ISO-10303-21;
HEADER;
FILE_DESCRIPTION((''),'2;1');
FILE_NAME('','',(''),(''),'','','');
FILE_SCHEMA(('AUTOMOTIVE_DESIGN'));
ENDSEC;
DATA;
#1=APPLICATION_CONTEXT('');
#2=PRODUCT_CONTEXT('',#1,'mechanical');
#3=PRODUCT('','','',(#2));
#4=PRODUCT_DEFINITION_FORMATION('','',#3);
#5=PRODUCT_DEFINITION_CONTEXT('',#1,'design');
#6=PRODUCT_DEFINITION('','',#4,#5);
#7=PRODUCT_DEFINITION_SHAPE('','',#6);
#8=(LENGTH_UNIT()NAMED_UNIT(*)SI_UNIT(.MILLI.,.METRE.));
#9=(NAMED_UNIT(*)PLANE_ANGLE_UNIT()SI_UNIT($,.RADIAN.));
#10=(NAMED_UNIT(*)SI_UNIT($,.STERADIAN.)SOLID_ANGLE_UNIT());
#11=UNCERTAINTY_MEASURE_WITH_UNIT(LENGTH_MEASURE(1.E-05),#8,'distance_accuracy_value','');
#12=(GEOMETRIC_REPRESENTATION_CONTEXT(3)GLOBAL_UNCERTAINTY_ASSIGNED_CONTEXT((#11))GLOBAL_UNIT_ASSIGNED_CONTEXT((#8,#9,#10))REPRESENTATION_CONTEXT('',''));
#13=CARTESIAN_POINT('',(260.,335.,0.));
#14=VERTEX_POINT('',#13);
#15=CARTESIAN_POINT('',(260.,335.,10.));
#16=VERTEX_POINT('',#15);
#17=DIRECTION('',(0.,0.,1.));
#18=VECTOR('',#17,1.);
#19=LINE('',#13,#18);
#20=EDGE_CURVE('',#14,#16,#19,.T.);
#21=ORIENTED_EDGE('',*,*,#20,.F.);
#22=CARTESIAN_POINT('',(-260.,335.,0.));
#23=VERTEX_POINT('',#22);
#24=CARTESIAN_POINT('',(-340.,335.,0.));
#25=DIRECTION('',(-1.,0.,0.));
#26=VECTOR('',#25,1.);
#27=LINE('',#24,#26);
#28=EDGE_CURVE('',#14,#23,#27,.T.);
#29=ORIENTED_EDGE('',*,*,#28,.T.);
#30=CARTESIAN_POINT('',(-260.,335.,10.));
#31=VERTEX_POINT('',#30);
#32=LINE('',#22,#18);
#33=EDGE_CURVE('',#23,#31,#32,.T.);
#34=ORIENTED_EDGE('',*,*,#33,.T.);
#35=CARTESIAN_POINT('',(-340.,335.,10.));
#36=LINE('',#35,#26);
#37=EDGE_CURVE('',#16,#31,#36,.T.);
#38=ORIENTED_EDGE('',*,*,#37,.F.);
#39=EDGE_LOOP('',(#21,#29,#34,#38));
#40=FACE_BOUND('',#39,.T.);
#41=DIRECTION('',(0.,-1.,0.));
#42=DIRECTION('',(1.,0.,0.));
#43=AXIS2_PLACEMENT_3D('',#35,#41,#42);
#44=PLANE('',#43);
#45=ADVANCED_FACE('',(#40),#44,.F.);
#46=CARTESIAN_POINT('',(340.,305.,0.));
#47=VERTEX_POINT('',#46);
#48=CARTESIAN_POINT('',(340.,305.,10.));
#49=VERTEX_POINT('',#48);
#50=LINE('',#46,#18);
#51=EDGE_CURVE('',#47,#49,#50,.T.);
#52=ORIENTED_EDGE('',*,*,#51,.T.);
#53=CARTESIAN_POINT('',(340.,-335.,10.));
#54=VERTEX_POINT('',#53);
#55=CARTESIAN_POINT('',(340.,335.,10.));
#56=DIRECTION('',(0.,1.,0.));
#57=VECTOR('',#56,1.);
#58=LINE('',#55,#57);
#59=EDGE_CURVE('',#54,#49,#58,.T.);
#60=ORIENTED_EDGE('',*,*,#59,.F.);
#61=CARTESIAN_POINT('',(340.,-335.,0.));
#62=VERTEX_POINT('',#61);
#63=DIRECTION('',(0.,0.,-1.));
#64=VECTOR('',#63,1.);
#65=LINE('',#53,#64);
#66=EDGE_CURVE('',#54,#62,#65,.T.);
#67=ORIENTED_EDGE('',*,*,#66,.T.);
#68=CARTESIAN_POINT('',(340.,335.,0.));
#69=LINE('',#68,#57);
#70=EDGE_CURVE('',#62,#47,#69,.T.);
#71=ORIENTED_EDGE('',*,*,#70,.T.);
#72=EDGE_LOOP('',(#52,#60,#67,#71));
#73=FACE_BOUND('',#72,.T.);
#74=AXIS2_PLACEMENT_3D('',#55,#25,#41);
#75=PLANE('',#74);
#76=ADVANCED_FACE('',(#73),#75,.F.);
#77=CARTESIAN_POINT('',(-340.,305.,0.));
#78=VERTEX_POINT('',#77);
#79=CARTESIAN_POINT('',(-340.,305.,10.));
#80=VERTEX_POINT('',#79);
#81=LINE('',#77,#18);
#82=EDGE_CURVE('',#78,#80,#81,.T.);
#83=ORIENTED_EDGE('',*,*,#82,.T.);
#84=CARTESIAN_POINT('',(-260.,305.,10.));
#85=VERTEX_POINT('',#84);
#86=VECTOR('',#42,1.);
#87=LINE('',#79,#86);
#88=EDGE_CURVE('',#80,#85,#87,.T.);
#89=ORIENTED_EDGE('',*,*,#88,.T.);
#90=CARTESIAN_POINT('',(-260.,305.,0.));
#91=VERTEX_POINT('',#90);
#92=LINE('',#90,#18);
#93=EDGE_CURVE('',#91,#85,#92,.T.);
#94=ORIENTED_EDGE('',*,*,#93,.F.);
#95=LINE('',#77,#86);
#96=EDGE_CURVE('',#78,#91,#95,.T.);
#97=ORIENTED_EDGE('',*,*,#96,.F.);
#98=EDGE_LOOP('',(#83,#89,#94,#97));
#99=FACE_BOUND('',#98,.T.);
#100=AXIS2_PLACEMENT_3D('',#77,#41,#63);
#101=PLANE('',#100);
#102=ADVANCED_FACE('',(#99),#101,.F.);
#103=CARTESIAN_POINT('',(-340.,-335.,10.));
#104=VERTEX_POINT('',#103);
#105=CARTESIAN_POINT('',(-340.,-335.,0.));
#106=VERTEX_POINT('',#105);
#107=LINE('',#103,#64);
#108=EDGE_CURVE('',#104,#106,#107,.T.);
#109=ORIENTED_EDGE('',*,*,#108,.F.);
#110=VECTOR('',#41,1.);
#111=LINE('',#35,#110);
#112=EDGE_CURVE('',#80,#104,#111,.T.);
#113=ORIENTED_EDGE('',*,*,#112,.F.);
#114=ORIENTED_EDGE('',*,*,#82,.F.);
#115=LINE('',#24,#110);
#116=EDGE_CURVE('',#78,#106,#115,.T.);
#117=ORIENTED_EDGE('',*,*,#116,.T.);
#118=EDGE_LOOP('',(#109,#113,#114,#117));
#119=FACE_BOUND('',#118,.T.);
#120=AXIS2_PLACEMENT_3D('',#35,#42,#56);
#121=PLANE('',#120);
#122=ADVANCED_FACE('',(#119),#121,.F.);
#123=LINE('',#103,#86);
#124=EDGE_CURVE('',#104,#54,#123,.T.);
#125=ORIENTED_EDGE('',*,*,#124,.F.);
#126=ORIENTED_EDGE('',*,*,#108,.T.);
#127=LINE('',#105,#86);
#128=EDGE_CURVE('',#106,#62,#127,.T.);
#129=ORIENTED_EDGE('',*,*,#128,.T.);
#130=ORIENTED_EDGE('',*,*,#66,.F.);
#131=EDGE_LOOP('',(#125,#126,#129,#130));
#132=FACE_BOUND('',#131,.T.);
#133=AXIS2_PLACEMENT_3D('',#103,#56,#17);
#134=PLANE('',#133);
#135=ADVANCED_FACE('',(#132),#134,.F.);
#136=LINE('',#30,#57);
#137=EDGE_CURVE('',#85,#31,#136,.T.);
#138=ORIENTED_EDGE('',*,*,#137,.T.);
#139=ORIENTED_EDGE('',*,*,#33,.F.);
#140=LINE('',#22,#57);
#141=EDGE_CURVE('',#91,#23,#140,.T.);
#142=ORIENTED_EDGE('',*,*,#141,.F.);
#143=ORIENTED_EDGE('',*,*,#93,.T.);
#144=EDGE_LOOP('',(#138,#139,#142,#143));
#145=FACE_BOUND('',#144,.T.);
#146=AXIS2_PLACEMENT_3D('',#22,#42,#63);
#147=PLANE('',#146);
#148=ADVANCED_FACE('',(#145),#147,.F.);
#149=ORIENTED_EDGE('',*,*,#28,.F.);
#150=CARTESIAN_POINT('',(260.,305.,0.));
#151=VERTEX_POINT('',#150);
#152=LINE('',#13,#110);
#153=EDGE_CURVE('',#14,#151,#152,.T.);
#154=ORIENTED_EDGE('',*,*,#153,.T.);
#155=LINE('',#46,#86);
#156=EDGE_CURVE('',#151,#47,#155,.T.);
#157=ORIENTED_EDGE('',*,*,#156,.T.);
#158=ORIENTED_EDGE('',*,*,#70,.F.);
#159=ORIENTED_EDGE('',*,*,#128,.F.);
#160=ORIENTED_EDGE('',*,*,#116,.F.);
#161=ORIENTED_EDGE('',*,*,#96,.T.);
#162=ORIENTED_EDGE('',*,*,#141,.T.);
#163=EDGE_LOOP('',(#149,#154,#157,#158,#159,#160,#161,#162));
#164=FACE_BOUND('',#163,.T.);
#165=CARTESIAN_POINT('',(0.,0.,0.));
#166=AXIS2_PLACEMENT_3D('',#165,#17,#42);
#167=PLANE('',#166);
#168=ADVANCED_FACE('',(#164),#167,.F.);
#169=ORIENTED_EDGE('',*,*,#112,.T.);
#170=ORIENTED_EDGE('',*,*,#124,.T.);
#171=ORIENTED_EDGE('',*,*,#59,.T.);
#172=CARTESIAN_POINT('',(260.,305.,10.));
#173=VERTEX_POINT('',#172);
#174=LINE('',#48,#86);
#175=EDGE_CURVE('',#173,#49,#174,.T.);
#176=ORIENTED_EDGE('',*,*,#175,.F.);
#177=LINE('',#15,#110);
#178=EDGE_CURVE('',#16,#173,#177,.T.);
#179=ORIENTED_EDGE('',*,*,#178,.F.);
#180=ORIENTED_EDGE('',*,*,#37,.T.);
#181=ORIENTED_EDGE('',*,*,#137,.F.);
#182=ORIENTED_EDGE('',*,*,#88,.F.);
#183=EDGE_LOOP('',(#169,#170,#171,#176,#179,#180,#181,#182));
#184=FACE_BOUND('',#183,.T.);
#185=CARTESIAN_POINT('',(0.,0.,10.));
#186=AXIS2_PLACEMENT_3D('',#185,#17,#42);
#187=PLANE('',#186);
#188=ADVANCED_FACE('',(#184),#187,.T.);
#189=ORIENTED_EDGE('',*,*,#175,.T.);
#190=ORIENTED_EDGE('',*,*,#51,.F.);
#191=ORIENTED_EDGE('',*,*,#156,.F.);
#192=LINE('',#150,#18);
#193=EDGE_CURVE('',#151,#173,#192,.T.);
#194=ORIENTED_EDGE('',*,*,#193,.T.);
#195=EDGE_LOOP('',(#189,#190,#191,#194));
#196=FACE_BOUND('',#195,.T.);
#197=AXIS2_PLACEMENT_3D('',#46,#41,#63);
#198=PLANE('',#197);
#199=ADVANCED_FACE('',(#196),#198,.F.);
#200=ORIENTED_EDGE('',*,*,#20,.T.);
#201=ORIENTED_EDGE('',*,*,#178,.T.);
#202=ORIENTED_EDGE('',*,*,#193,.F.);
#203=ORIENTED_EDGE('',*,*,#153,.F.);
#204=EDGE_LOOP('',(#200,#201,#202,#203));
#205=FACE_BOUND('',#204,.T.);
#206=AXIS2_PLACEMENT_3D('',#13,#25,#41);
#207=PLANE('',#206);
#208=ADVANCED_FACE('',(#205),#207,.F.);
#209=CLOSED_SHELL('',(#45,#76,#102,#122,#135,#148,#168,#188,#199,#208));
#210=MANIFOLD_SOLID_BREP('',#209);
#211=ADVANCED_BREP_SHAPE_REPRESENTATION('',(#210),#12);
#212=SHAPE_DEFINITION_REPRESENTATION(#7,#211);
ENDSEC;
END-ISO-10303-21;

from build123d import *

# Parameters (mm, degrees)
ESQUISSE1_W             = 680
ESQUISSE1_H             = 670
BOSS_EXTRU_1_DEPTH      = 10
ESQUISSE2_W             = 80
ESQUISSE2_H             = 30
ENL_V_MAT_EXTRU_1_DEPTH = 11


with BuildPart() as part:
    # Esquisse1 → Boss.-Extru.1 (new body)
    with BuildSketch(Plane.XY):
        Rectangle(ESQUISSE1_W, ESQUISSE1_H)
    extrude(amount=BOSS_EXTRU_1_DEPTH)

    # Esquisse2 → Enlèv. mat.-Extru.1 (cut, through all)
    with BuildSketch(Plane.XY.offset(10)):
        with Locations((-300, 320)):
            Rectangle(ESQUISSE2_W, ESQUISSE2_H)
        with Locations((300, 320)):
            Rectangle(ESQUISSE2_W, ESQUISSE2_H)
    extrude(amount=-ENL_V_MAT_EXTRU_1_DEPTH, mode=Mode.SUBTRACT)


solid = part.part
